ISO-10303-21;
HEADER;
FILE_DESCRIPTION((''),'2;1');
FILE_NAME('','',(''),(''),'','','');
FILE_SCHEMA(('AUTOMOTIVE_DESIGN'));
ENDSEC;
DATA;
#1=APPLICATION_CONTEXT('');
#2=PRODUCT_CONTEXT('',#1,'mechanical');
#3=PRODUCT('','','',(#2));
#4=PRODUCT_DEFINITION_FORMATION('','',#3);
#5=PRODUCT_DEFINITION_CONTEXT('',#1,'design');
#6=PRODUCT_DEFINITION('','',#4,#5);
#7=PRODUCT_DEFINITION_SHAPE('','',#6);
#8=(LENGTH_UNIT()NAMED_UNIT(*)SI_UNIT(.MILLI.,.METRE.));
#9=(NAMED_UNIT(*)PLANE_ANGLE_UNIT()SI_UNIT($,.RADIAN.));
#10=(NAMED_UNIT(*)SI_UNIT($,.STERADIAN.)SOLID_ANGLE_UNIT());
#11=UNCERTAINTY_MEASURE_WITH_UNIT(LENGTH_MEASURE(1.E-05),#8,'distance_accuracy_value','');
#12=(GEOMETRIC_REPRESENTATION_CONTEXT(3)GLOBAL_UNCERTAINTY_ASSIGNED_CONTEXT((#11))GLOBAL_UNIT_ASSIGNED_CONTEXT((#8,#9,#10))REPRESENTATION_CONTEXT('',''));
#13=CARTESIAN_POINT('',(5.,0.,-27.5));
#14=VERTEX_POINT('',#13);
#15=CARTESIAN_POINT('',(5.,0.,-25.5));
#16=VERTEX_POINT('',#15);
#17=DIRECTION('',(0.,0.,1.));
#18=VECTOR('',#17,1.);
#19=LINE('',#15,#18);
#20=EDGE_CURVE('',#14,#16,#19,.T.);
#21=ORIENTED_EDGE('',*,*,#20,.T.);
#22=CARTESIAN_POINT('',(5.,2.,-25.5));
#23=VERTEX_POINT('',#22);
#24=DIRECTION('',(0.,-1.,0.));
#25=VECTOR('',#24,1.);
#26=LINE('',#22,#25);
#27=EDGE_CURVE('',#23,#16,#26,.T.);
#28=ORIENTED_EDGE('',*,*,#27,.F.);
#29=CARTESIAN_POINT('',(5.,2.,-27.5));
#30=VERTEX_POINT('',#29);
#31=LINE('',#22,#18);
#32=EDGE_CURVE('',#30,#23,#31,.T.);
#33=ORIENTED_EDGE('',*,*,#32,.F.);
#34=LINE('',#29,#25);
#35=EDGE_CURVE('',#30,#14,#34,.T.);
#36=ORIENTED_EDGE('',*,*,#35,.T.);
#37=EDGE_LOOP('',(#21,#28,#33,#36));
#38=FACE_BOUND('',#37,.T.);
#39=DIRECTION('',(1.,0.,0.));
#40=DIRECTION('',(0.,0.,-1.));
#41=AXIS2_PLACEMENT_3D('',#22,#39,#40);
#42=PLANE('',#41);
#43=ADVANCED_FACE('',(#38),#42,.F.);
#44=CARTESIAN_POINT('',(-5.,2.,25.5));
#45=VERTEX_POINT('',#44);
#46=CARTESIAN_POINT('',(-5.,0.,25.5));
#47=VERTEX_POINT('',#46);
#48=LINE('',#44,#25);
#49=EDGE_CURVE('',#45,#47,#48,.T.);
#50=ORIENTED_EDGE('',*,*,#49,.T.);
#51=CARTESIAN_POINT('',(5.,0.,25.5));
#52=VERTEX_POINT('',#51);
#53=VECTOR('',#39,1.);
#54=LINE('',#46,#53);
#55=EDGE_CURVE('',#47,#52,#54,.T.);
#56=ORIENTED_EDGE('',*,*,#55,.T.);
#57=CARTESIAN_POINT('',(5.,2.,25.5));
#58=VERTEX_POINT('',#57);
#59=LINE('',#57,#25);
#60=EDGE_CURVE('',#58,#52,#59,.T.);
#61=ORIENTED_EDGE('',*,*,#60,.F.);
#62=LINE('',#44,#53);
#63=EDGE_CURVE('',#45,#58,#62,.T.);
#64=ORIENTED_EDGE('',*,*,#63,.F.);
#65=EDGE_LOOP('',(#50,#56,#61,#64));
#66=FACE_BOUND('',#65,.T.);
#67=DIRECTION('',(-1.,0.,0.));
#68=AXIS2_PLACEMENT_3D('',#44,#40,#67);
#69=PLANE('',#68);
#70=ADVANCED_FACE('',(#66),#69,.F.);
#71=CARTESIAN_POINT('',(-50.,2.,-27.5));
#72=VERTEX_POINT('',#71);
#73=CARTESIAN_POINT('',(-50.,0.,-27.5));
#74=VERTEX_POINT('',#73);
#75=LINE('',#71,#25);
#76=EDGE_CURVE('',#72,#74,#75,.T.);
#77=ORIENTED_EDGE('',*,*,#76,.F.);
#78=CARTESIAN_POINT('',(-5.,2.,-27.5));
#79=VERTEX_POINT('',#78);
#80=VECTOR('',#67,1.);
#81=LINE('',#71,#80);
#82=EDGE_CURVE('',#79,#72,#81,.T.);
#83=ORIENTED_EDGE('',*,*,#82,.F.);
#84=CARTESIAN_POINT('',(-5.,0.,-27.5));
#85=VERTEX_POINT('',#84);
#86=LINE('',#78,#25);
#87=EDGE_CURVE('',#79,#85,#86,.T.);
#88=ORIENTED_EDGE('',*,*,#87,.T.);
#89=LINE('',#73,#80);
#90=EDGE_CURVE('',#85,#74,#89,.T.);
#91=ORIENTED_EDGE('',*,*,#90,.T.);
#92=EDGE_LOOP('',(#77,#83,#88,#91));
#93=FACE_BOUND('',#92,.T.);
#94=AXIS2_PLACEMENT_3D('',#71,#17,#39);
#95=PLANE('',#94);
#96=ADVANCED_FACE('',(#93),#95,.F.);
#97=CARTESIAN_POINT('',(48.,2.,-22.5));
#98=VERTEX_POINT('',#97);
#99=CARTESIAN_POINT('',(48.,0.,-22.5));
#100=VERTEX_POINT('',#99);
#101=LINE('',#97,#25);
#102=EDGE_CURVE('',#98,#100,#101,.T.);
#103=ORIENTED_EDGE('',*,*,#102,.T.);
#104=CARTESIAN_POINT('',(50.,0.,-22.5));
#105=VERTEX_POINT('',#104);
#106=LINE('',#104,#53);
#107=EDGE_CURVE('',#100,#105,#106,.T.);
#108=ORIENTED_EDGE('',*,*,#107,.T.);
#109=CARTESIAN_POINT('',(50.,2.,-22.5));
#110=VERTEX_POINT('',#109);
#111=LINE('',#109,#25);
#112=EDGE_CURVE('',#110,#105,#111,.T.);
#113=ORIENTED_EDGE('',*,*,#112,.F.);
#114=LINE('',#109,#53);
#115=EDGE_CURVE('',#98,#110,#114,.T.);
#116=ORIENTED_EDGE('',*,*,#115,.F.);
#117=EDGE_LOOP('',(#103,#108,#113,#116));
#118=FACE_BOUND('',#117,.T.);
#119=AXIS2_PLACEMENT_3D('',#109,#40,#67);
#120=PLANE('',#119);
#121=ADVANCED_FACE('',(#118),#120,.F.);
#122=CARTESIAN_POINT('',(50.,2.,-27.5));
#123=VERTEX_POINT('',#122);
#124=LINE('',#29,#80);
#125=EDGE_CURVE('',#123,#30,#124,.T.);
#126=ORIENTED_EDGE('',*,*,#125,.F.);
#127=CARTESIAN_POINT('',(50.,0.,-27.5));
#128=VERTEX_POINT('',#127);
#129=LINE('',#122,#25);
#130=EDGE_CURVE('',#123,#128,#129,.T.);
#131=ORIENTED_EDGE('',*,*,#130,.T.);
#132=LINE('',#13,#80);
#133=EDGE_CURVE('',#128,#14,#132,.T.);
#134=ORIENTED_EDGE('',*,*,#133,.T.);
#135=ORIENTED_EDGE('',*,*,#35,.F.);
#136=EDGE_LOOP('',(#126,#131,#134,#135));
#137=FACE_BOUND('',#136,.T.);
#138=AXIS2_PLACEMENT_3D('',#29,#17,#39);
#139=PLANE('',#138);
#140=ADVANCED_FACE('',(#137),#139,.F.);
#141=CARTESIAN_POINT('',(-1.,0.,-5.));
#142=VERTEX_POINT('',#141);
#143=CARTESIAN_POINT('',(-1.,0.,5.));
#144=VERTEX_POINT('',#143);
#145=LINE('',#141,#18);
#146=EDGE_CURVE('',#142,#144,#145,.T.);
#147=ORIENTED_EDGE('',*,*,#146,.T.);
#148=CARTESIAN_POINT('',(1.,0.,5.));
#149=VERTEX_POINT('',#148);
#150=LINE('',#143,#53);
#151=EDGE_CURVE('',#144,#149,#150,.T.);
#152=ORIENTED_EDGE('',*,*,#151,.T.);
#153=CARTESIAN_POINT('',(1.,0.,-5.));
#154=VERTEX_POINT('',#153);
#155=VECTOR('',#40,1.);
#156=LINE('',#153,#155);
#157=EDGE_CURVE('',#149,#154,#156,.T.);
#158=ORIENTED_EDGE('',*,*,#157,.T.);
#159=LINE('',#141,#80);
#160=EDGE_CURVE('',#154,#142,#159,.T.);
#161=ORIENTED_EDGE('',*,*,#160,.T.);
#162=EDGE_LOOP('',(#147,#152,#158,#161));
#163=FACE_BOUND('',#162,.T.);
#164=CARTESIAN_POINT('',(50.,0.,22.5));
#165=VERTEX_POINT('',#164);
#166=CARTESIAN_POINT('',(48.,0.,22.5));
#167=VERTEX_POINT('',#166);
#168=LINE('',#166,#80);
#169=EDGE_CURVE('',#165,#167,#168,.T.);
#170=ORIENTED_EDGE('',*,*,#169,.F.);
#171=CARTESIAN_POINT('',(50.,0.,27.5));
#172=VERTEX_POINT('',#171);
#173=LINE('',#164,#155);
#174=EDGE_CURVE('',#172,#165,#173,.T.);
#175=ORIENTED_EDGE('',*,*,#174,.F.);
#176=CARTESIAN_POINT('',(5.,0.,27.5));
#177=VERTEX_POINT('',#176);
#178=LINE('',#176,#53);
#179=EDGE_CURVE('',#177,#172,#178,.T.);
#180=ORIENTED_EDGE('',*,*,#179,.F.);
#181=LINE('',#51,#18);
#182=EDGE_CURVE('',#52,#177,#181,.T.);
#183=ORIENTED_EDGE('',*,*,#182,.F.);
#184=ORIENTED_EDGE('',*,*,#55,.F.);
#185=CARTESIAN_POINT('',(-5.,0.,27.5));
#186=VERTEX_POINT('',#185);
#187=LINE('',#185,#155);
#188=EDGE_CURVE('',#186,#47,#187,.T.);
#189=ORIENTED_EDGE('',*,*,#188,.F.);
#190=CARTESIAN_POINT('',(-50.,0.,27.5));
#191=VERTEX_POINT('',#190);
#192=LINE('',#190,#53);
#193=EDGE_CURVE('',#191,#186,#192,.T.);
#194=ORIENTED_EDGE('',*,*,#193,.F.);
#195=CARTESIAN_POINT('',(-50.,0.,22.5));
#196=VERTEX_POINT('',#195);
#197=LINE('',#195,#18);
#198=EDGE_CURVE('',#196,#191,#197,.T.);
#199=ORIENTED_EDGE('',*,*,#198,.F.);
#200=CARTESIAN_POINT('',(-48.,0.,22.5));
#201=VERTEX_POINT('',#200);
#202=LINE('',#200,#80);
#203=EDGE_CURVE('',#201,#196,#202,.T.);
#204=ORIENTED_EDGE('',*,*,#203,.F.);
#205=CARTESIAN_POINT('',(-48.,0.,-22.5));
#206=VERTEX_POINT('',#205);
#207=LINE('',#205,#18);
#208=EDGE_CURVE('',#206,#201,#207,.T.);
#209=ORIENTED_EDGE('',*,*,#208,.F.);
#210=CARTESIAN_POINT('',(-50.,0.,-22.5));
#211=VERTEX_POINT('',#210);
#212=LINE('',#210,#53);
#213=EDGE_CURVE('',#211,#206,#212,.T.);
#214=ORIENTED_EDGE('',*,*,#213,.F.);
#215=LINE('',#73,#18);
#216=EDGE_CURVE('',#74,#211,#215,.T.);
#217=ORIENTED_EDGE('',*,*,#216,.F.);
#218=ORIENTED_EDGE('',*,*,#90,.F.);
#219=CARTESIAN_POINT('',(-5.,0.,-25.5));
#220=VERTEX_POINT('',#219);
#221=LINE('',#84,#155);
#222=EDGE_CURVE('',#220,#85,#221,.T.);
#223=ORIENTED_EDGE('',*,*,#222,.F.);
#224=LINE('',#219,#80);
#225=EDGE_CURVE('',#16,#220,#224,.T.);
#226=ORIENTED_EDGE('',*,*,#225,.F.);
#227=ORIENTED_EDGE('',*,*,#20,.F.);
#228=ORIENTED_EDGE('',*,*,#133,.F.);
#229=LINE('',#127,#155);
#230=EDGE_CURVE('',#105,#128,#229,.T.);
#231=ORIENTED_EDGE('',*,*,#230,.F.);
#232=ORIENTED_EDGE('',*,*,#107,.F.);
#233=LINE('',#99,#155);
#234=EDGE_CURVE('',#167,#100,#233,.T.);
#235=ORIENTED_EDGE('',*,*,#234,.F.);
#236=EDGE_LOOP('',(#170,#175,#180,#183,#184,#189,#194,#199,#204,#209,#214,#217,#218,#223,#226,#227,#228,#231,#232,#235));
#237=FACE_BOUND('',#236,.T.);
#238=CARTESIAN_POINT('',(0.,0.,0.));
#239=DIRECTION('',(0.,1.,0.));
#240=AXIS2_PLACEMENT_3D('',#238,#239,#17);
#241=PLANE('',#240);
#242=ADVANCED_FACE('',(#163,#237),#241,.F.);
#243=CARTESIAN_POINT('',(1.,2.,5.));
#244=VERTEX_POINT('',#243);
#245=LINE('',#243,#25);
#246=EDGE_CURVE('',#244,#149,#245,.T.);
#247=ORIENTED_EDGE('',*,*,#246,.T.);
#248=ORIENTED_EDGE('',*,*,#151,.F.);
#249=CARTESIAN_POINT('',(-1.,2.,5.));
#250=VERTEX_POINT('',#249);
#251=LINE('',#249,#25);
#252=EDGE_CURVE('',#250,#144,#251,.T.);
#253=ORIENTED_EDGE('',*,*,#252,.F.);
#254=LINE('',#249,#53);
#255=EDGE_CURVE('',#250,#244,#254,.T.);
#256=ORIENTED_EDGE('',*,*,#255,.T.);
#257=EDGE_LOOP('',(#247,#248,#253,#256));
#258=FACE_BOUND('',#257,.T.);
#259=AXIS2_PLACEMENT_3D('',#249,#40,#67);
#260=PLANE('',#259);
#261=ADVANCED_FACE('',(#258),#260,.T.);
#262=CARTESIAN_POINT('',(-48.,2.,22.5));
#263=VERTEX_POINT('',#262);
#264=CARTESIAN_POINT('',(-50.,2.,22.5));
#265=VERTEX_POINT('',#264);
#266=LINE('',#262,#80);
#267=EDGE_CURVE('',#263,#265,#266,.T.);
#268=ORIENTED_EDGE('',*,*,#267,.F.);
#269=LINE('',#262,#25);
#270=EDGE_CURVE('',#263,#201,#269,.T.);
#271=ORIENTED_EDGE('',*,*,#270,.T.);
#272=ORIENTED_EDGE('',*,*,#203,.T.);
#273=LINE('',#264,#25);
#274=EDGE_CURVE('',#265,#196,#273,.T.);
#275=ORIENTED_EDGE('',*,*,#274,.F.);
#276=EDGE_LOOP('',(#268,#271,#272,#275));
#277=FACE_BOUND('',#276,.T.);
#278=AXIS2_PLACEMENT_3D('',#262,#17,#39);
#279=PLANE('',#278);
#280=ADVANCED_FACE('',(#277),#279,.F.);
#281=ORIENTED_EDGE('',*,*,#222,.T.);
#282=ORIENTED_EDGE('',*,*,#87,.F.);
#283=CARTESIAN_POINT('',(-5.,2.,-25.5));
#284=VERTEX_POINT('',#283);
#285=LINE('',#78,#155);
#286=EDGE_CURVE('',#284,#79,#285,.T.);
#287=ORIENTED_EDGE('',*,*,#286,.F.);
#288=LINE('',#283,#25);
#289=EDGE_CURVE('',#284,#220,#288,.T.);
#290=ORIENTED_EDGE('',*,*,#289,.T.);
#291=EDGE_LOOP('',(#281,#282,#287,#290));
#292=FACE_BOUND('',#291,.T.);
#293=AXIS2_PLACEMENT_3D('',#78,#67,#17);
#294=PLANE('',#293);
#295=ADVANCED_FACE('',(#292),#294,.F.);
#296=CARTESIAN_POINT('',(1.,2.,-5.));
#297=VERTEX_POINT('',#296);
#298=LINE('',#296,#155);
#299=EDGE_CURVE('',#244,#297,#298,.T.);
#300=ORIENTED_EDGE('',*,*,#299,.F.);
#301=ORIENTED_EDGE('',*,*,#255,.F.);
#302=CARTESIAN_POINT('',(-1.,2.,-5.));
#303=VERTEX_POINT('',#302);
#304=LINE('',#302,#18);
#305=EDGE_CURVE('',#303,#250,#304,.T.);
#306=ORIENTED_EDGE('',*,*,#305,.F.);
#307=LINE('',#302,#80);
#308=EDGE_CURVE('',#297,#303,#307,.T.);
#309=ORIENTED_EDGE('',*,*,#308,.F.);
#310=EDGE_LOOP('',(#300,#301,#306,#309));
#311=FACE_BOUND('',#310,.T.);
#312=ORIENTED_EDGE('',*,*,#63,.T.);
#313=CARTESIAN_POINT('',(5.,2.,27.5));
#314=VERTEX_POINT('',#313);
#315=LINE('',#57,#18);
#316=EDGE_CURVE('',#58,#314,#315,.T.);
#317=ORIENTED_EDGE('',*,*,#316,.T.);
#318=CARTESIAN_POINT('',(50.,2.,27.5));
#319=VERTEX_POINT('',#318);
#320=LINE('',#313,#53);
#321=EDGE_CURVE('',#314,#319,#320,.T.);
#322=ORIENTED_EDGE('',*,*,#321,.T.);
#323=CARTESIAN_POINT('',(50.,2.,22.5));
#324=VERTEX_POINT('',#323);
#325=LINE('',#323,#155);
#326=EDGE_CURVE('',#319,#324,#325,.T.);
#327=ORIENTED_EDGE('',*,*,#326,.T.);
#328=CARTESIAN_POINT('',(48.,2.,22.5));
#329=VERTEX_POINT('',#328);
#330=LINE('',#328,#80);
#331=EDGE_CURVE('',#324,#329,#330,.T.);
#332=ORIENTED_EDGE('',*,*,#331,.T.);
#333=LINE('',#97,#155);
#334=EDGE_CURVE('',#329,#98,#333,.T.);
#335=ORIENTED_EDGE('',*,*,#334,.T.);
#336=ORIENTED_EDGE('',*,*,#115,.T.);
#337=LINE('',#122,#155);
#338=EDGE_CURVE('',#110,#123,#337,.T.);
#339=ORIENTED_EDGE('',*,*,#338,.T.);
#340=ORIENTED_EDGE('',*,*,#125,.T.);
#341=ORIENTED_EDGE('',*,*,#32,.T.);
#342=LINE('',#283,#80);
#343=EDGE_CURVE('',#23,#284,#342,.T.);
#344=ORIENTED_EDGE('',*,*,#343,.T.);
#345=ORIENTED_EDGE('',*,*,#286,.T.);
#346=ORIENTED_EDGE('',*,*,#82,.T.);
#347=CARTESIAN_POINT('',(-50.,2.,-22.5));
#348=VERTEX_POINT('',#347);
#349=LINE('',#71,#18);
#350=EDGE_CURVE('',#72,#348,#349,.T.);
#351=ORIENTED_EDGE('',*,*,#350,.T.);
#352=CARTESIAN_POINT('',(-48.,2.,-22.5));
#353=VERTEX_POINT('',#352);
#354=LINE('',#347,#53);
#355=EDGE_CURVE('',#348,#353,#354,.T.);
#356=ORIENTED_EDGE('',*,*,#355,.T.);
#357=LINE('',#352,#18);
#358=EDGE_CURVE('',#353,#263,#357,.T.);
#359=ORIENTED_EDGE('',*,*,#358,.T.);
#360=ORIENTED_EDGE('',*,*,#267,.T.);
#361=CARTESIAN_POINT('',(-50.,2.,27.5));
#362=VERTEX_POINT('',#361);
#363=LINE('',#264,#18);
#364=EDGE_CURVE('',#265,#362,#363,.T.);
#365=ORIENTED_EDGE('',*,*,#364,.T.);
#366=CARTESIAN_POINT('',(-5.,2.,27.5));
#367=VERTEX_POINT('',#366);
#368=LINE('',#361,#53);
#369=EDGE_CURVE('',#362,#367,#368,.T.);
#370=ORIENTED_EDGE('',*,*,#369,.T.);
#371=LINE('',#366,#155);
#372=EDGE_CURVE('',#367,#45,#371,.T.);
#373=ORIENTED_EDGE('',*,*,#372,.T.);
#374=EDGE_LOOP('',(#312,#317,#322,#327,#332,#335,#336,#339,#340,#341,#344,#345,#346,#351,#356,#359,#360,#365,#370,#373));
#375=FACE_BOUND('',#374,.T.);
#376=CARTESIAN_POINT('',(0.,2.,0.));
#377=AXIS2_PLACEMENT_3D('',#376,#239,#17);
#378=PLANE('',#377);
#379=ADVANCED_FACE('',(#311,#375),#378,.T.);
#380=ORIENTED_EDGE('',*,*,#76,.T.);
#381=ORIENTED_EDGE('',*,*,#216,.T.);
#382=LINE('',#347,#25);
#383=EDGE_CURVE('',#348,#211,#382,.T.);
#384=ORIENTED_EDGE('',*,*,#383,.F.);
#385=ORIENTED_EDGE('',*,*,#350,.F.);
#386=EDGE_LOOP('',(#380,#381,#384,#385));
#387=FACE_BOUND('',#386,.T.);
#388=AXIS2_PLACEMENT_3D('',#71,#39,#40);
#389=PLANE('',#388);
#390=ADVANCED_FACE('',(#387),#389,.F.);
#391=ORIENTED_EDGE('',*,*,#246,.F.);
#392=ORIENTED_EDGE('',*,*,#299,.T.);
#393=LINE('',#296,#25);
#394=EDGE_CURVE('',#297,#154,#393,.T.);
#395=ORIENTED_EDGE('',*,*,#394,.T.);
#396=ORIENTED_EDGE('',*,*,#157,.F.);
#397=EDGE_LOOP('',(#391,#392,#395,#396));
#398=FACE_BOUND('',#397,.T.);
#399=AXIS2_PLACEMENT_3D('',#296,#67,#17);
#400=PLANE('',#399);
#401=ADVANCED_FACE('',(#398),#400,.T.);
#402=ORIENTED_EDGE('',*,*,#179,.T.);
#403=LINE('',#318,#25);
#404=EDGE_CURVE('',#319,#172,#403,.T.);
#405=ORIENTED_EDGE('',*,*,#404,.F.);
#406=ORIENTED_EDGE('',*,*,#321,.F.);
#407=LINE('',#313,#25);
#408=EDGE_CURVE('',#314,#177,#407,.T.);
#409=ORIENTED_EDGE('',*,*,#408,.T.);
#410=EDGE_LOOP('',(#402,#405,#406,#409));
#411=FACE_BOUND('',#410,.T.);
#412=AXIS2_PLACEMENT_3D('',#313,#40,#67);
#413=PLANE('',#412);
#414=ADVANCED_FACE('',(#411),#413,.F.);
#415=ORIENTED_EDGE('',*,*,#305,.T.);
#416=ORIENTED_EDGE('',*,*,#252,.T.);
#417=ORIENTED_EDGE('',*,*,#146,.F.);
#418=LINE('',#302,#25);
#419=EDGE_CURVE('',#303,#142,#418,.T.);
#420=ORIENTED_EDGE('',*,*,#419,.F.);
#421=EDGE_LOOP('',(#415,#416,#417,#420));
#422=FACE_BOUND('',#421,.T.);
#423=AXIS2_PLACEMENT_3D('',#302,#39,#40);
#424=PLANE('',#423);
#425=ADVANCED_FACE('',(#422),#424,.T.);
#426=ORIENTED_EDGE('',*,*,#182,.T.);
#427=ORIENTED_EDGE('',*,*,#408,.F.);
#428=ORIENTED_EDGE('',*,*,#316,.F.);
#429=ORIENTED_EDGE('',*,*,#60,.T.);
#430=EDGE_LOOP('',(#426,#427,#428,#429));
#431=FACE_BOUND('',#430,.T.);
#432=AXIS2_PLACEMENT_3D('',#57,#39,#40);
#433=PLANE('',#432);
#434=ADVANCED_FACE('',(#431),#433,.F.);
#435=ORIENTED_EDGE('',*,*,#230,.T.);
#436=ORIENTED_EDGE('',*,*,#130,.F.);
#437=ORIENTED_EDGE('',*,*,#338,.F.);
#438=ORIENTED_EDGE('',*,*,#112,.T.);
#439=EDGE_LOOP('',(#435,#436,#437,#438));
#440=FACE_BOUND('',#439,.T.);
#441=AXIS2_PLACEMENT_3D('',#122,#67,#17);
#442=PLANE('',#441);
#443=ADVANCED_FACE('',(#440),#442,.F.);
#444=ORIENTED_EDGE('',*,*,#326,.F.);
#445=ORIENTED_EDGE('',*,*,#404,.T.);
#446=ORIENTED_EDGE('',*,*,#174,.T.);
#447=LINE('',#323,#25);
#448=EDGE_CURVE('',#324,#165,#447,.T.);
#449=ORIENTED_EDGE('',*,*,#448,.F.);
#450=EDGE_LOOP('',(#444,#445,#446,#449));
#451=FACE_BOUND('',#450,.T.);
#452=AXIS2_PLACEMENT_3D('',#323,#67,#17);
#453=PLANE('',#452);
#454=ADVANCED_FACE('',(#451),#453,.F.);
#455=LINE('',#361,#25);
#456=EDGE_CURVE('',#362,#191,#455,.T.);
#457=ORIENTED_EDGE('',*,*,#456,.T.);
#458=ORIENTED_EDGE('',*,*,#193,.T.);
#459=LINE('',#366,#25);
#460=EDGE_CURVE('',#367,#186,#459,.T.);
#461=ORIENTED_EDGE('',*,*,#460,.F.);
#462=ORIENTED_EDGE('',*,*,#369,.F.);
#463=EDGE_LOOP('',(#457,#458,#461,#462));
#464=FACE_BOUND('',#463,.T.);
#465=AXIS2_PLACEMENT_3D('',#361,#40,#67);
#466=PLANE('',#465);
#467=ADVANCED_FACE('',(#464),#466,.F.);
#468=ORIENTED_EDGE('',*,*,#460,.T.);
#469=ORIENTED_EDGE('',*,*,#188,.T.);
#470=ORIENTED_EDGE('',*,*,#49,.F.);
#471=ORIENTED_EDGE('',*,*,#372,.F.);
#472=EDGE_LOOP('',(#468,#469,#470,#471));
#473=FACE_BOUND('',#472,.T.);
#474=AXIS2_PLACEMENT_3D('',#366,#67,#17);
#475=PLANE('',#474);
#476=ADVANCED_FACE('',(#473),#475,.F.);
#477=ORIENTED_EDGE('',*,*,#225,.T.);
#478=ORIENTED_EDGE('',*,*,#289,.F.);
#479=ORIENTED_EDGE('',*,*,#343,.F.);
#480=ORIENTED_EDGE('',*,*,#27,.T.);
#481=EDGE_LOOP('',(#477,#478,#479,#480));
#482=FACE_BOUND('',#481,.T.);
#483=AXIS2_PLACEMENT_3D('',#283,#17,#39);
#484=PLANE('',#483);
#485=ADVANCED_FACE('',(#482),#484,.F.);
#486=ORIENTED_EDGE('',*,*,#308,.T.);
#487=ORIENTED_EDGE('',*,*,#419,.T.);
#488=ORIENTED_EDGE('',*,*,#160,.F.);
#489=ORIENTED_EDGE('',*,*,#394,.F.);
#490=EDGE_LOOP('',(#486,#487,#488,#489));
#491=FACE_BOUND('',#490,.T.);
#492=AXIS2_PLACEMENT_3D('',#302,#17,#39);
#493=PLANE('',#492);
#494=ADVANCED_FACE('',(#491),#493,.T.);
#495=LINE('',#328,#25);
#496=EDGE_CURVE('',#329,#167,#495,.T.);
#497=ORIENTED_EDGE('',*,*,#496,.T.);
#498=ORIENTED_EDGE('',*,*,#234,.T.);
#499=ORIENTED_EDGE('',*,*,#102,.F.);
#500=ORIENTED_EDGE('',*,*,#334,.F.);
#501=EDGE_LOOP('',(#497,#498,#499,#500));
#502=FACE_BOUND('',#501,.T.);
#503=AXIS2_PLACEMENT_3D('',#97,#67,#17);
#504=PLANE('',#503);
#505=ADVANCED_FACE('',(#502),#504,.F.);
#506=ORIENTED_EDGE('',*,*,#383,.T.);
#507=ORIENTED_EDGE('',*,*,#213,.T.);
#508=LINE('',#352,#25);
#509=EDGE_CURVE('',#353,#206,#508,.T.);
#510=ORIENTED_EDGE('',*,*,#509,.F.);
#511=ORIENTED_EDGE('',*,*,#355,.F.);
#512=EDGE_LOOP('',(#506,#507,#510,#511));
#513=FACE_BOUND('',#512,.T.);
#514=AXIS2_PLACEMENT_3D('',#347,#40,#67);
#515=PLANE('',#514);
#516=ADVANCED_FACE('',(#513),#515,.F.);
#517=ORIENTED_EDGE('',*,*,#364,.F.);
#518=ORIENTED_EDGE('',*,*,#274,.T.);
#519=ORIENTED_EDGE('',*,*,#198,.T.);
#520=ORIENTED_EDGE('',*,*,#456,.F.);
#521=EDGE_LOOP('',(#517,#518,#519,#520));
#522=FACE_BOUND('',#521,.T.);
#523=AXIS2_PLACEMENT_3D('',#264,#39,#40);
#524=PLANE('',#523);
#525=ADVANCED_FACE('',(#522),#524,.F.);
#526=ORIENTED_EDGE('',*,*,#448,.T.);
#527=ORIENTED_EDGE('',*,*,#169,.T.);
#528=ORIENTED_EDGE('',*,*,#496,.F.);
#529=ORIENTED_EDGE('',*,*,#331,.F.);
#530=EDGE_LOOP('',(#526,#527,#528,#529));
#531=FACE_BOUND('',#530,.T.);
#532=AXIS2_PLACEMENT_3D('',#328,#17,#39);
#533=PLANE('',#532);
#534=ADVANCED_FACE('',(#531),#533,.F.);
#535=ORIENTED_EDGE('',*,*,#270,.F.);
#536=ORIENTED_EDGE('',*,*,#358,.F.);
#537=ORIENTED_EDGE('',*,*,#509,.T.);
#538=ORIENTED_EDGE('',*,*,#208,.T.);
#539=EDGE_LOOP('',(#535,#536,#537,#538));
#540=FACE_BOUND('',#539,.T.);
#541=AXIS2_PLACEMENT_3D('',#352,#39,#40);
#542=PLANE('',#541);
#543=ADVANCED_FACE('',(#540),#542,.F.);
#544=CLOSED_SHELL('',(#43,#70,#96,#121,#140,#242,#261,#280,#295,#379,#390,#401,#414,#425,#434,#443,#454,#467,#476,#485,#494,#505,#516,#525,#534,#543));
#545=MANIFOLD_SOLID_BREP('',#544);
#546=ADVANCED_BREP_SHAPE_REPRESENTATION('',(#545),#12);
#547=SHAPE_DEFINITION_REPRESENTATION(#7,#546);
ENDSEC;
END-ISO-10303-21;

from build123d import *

# Parameters (mm, degrees)
SKETCH1_W           = 2
SKETCH1_H           = 10
BOSS_EXTRUDE1_DEPTH = 2


with BuildPart() as part:
    # Sketch1 → Boss-Extrude1 (new body)
    with BuildSketch(Plane(origin=(0, 0, 0), x_dir=(1, 0, 0), z_dir=(0, 1, 0))):
        Polygon((-50, 22.5), (-48, 22.5), (-48, -22.5), (-50, -22.5), (-50, -27.5), (-5, -27.5), (-5, -25.5), (5, -25.5), (5, -27.5), (50, -27.5), (50, -22.5), (48, -22.5), (48, 22.5), (50, 22.5), (50, 27.5), (5, 27.5), (5, 25.5), (-5, 25.5), (-5, 27.5), (-50, 27.5), align=None)
        Rectangle(SKETCH1_W, SKETCH1_H, mode=Mode.SUBTRACT)
    extrude(amount=BOSS_EXTRUDE1_DEPTH)


solid = part.part
